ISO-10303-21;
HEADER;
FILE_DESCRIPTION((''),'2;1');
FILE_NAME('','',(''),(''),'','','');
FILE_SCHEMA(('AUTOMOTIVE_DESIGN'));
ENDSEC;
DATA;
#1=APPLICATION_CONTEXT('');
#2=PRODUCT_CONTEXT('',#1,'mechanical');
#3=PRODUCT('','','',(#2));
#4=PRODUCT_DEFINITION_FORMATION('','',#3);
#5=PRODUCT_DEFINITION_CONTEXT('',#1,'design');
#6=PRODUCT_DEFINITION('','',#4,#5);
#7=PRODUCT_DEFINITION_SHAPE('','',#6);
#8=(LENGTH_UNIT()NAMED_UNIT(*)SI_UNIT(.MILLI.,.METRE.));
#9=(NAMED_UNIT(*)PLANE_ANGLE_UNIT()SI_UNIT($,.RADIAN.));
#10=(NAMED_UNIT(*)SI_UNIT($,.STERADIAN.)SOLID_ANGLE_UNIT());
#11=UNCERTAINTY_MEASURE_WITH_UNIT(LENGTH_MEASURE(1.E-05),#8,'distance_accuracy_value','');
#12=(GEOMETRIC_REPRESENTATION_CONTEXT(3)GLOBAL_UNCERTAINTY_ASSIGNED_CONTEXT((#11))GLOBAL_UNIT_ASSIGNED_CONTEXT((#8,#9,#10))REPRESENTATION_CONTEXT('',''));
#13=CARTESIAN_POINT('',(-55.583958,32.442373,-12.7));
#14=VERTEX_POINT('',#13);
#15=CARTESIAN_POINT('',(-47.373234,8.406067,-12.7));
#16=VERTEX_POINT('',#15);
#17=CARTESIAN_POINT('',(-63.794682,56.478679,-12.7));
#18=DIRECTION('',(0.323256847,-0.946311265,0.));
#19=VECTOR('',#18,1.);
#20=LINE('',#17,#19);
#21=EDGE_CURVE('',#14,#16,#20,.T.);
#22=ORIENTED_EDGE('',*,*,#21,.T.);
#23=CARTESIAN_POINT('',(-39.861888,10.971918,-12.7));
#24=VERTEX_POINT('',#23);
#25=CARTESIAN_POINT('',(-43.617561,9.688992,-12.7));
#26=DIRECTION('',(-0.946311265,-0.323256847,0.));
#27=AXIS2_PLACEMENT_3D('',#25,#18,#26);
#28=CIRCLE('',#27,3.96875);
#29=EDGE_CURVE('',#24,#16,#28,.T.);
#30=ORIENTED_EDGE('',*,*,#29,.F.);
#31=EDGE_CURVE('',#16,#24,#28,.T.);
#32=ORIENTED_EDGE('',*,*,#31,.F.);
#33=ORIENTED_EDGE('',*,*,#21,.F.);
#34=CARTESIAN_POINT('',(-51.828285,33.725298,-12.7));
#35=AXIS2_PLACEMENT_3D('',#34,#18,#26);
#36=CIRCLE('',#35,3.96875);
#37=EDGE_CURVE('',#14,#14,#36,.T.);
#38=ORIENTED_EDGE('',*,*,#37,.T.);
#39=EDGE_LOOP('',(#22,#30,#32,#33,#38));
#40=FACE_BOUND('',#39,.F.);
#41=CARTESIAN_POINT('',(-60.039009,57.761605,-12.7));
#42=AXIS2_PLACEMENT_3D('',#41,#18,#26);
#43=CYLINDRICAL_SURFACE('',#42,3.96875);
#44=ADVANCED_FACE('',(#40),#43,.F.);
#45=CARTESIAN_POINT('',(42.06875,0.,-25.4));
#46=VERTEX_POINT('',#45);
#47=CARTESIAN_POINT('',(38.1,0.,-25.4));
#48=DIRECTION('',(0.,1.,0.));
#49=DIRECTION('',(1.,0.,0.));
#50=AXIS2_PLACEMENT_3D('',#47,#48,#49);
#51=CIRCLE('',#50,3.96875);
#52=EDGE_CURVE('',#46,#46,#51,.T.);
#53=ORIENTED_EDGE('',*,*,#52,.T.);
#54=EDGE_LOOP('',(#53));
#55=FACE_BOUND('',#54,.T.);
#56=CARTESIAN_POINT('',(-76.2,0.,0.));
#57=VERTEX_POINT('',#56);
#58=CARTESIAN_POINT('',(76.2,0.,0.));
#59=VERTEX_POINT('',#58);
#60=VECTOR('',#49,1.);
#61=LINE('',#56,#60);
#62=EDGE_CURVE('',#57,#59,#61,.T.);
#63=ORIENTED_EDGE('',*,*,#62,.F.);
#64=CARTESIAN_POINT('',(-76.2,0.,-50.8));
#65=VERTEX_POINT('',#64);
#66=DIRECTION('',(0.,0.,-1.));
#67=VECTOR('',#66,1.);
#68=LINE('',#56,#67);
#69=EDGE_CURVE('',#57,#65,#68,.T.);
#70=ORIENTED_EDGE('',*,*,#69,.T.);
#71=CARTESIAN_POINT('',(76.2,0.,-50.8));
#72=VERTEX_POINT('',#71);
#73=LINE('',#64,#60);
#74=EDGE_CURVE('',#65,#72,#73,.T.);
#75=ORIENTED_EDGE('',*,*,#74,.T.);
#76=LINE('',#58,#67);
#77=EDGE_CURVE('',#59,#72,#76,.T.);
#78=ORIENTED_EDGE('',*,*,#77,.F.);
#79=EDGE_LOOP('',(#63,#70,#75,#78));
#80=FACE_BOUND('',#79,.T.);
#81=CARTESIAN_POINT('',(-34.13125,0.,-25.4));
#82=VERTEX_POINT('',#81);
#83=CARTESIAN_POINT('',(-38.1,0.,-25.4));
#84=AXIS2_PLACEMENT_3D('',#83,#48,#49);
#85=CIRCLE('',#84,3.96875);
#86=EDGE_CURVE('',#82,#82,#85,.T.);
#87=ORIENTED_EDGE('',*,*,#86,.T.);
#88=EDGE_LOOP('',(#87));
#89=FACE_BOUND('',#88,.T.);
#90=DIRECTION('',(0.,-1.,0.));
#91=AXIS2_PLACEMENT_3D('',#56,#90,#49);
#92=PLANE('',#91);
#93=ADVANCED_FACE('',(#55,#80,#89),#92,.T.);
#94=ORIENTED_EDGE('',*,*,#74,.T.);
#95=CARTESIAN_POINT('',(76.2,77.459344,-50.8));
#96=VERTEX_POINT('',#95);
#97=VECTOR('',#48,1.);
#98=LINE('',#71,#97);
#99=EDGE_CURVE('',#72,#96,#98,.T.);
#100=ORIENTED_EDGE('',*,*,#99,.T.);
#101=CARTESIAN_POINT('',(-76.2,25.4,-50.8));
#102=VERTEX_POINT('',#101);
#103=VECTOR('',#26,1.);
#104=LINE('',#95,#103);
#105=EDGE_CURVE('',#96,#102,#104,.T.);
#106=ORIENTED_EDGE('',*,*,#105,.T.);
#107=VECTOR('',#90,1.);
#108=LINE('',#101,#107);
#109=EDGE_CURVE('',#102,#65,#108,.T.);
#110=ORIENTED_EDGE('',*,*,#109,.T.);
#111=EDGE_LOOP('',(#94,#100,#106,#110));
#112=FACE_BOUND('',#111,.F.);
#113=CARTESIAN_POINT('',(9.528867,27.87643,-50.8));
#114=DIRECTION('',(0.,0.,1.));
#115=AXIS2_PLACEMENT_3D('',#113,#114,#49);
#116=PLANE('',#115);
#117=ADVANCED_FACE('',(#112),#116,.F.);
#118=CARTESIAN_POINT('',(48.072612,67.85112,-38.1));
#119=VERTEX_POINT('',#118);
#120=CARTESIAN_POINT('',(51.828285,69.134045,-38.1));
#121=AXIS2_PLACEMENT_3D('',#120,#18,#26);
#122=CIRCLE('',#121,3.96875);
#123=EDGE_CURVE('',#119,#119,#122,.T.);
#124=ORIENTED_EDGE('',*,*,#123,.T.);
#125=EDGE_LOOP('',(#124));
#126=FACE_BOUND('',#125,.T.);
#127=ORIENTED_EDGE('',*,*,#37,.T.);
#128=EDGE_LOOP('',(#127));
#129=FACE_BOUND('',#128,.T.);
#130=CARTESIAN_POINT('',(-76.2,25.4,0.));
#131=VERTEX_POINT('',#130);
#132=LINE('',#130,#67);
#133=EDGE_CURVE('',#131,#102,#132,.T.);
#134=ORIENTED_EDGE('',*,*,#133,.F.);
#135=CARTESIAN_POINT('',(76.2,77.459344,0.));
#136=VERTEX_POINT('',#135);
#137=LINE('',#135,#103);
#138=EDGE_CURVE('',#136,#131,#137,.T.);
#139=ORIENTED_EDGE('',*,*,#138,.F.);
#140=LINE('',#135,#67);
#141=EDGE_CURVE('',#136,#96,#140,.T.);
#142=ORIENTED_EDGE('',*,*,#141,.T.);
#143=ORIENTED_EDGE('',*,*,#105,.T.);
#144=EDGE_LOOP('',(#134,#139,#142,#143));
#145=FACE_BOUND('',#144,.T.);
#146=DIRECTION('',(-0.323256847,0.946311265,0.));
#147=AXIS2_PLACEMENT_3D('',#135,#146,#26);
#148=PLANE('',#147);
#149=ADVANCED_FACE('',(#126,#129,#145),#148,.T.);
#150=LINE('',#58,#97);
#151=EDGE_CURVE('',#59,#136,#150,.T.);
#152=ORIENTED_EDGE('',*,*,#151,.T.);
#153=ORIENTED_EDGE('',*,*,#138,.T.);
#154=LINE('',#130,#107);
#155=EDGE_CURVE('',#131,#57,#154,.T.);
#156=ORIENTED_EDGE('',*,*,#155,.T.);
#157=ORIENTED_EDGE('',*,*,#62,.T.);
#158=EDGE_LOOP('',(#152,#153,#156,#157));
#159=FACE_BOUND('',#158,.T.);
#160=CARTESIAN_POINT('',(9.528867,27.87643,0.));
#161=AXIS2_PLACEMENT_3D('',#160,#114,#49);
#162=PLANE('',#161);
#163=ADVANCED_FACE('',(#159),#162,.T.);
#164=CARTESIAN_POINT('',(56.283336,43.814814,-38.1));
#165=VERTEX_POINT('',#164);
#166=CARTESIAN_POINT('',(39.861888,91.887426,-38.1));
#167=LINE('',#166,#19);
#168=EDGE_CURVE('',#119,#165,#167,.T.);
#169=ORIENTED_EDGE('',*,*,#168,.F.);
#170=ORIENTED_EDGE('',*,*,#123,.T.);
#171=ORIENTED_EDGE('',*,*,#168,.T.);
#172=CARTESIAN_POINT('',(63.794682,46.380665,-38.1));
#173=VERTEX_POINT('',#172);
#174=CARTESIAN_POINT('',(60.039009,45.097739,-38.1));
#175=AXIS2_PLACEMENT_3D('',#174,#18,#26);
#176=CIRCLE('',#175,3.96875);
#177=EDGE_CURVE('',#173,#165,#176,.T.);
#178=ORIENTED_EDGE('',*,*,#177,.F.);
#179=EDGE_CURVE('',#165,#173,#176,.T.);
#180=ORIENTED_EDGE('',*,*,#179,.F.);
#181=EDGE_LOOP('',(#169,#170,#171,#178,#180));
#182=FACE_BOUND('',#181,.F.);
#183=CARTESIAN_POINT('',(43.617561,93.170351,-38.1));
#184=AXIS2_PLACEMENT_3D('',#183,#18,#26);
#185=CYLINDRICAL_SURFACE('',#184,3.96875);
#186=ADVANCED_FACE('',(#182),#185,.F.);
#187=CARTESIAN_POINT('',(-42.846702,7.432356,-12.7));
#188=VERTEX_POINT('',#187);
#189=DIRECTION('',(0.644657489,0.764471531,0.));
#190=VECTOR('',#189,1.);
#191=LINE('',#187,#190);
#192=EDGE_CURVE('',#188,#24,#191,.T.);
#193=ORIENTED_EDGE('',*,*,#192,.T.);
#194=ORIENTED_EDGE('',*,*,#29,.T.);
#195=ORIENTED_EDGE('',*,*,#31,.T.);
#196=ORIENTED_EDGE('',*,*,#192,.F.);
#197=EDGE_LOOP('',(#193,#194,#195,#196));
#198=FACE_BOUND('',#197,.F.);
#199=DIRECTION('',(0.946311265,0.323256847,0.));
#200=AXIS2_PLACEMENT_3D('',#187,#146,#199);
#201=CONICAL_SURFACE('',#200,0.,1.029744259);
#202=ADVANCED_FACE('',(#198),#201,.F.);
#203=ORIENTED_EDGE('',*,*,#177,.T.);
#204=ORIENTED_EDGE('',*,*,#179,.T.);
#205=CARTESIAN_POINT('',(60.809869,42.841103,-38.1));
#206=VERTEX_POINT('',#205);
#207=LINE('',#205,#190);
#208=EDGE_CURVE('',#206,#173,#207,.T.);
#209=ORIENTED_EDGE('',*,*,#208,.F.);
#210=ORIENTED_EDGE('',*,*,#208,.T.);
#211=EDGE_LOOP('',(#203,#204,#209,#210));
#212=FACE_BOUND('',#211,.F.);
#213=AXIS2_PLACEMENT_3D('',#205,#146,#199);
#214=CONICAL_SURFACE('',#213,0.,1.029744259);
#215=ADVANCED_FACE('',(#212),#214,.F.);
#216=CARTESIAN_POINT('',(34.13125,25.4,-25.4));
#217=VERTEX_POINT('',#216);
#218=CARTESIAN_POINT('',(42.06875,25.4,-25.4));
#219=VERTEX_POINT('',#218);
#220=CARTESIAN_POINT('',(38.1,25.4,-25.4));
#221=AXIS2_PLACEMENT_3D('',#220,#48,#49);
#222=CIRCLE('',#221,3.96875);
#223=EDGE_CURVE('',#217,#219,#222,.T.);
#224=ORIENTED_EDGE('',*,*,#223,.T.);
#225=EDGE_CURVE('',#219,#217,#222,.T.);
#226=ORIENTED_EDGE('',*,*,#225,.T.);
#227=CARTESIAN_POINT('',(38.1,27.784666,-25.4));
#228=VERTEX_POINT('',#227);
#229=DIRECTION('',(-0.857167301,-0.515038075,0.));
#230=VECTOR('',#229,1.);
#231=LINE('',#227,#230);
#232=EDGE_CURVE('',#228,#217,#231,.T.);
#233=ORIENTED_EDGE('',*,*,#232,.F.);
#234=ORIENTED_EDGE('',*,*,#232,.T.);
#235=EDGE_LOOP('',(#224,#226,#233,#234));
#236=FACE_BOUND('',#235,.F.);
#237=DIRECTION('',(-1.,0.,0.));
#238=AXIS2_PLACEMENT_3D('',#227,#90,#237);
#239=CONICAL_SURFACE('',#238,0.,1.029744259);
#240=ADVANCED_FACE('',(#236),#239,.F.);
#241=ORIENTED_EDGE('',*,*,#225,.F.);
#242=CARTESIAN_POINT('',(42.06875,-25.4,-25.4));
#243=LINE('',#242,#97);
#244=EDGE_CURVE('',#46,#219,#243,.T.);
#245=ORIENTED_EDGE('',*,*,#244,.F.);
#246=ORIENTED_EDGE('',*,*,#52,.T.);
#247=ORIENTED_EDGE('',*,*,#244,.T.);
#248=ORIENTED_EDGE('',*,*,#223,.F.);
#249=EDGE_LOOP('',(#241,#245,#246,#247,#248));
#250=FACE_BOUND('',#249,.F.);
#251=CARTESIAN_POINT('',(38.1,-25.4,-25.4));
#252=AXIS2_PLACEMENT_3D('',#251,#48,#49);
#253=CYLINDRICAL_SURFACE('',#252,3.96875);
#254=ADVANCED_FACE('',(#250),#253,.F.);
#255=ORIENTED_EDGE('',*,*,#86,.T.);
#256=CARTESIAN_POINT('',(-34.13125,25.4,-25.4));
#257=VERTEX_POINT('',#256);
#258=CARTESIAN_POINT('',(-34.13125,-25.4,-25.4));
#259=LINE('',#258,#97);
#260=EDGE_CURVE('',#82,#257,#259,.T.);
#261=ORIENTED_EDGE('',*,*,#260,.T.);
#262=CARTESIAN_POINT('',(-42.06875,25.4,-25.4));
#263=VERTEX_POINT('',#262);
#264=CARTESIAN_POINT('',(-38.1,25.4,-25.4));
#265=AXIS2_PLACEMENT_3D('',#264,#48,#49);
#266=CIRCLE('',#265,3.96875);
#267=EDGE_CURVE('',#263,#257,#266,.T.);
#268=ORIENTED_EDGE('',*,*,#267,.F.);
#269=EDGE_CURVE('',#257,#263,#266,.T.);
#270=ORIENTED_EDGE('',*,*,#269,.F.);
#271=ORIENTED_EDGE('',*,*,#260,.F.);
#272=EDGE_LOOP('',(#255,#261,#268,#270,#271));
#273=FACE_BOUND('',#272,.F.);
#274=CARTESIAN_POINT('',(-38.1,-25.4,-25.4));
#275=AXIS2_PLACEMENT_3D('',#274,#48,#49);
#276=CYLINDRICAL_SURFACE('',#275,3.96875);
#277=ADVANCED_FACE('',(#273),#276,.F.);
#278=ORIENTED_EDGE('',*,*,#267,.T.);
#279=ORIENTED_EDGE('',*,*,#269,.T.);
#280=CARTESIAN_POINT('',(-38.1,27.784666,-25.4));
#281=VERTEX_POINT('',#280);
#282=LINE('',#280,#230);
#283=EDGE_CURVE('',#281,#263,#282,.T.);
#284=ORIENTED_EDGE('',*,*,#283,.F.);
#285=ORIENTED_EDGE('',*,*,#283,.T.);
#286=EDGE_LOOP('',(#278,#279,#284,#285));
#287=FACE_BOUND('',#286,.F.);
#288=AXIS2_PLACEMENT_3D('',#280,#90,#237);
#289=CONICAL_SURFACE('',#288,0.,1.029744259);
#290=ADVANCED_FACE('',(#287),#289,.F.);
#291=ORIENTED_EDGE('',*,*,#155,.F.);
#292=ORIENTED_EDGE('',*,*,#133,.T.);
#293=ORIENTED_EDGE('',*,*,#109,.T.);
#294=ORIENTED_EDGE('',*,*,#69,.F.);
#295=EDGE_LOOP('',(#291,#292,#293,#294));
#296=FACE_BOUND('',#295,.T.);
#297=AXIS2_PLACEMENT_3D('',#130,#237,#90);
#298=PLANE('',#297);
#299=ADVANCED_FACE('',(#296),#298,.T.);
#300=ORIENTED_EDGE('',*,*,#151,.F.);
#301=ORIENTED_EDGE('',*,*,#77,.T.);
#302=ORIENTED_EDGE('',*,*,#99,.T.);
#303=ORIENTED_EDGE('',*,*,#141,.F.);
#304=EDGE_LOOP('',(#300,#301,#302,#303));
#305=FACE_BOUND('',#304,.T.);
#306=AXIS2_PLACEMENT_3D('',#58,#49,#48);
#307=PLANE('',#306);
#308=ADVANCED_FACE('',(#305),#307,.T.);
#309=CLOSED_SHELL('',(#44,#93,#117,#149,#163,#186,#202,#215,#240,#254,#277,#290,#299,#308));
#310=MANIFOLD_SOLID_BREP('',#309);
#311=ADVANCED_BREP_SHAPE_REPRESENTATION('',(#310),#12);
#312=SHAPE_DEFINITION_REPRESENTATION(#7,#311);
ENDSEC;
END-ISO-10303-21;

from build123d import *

# Parameters (mm, degrees)
BOSS_EXTRUDE1_DEPTH         = 50.8
F_3_8_16_TAPPED_HOLE1_D     = 7.9375
F_3_8_16_TAPPED_HOLE1_DEPTH = 25.4
F_3_8_16_TAPPED_HOLE1_TIP   = 2.384665582
F_3_8_16_TAPPED_HOLE2_D     = 7.9375
F_3_8_16_TAPPED_HOLE2_DEPTH = 25.4
F_3_8_16_TAPPED_HOLE2_TIP   = 2.384665582


with BuildPart() as part:
    # Sketch1 → Boss-Extrude1 (new body)
    with BuildSketch(Plane.XY):
        Polygon((-76.2, 0), (76.2, 0), (76.2, 77.459343803), (-76.2, 25.4), align=None)
    extrude(amount=-BOSS_EXTRUDE1_DEPTH)

    # 3/8-16 Tapped Hole1
    with Locations(Plane(origin=(-15.732418717, 46.055528891, 0), x_dir=(0.946311265, 0.323256847, 0), z_dir=(-0.323256847, 0.946311265, 0))):
        with Locations((-38.143756412, 12.7), (71.393743588, 38.1)):
            Hole(F_3_8_16_TAPPED_HOLE1_D / 2, depth=F_3_8_16_TAPPED_HOLE1_DEPTH)
            with Locations((0, 0, -(F_3_8_16_TAPPED_HOLE1_DEPTH + F_3_8_16_TAPPED_HOLE1_TIP / 2))):  # 118° drill point
                Cone(0, F_3_8_16_TAPPED_HOLE1_D / 2, F_3_8_16_TAPPED_HOLE1_TIP, mode=Mode.SUBTRACT)

    # 3/8-16 Tapped Hole2
    with Locations(Plane(origin=(0, 0, 0), x_dir=(-1, 0, 0), z_dir=(0, -1, 0))):
        with Locations((38.1, 25.4), (-38.1, 25.4)):
            Hole(F_3_8_16_TAPPED_HOLE2_D / 2, depth=F_3_8_16_TAPPED_HOLE2_DEPTH)
            with Locations((0, 0, -(F_3_8_16_TAPPED_HOLE2_DEPTH + F_3_8_16_TAPPED_HOLE2_TIP / 2))):  # 118° drill point
                Cone(0, F_3_8_16_TAPPED_HOLE2_D / 2, F_3_8_16_TAPPED_HOLE2_TIP, mode=Mode.SUBTRACT)


solid = part.part
